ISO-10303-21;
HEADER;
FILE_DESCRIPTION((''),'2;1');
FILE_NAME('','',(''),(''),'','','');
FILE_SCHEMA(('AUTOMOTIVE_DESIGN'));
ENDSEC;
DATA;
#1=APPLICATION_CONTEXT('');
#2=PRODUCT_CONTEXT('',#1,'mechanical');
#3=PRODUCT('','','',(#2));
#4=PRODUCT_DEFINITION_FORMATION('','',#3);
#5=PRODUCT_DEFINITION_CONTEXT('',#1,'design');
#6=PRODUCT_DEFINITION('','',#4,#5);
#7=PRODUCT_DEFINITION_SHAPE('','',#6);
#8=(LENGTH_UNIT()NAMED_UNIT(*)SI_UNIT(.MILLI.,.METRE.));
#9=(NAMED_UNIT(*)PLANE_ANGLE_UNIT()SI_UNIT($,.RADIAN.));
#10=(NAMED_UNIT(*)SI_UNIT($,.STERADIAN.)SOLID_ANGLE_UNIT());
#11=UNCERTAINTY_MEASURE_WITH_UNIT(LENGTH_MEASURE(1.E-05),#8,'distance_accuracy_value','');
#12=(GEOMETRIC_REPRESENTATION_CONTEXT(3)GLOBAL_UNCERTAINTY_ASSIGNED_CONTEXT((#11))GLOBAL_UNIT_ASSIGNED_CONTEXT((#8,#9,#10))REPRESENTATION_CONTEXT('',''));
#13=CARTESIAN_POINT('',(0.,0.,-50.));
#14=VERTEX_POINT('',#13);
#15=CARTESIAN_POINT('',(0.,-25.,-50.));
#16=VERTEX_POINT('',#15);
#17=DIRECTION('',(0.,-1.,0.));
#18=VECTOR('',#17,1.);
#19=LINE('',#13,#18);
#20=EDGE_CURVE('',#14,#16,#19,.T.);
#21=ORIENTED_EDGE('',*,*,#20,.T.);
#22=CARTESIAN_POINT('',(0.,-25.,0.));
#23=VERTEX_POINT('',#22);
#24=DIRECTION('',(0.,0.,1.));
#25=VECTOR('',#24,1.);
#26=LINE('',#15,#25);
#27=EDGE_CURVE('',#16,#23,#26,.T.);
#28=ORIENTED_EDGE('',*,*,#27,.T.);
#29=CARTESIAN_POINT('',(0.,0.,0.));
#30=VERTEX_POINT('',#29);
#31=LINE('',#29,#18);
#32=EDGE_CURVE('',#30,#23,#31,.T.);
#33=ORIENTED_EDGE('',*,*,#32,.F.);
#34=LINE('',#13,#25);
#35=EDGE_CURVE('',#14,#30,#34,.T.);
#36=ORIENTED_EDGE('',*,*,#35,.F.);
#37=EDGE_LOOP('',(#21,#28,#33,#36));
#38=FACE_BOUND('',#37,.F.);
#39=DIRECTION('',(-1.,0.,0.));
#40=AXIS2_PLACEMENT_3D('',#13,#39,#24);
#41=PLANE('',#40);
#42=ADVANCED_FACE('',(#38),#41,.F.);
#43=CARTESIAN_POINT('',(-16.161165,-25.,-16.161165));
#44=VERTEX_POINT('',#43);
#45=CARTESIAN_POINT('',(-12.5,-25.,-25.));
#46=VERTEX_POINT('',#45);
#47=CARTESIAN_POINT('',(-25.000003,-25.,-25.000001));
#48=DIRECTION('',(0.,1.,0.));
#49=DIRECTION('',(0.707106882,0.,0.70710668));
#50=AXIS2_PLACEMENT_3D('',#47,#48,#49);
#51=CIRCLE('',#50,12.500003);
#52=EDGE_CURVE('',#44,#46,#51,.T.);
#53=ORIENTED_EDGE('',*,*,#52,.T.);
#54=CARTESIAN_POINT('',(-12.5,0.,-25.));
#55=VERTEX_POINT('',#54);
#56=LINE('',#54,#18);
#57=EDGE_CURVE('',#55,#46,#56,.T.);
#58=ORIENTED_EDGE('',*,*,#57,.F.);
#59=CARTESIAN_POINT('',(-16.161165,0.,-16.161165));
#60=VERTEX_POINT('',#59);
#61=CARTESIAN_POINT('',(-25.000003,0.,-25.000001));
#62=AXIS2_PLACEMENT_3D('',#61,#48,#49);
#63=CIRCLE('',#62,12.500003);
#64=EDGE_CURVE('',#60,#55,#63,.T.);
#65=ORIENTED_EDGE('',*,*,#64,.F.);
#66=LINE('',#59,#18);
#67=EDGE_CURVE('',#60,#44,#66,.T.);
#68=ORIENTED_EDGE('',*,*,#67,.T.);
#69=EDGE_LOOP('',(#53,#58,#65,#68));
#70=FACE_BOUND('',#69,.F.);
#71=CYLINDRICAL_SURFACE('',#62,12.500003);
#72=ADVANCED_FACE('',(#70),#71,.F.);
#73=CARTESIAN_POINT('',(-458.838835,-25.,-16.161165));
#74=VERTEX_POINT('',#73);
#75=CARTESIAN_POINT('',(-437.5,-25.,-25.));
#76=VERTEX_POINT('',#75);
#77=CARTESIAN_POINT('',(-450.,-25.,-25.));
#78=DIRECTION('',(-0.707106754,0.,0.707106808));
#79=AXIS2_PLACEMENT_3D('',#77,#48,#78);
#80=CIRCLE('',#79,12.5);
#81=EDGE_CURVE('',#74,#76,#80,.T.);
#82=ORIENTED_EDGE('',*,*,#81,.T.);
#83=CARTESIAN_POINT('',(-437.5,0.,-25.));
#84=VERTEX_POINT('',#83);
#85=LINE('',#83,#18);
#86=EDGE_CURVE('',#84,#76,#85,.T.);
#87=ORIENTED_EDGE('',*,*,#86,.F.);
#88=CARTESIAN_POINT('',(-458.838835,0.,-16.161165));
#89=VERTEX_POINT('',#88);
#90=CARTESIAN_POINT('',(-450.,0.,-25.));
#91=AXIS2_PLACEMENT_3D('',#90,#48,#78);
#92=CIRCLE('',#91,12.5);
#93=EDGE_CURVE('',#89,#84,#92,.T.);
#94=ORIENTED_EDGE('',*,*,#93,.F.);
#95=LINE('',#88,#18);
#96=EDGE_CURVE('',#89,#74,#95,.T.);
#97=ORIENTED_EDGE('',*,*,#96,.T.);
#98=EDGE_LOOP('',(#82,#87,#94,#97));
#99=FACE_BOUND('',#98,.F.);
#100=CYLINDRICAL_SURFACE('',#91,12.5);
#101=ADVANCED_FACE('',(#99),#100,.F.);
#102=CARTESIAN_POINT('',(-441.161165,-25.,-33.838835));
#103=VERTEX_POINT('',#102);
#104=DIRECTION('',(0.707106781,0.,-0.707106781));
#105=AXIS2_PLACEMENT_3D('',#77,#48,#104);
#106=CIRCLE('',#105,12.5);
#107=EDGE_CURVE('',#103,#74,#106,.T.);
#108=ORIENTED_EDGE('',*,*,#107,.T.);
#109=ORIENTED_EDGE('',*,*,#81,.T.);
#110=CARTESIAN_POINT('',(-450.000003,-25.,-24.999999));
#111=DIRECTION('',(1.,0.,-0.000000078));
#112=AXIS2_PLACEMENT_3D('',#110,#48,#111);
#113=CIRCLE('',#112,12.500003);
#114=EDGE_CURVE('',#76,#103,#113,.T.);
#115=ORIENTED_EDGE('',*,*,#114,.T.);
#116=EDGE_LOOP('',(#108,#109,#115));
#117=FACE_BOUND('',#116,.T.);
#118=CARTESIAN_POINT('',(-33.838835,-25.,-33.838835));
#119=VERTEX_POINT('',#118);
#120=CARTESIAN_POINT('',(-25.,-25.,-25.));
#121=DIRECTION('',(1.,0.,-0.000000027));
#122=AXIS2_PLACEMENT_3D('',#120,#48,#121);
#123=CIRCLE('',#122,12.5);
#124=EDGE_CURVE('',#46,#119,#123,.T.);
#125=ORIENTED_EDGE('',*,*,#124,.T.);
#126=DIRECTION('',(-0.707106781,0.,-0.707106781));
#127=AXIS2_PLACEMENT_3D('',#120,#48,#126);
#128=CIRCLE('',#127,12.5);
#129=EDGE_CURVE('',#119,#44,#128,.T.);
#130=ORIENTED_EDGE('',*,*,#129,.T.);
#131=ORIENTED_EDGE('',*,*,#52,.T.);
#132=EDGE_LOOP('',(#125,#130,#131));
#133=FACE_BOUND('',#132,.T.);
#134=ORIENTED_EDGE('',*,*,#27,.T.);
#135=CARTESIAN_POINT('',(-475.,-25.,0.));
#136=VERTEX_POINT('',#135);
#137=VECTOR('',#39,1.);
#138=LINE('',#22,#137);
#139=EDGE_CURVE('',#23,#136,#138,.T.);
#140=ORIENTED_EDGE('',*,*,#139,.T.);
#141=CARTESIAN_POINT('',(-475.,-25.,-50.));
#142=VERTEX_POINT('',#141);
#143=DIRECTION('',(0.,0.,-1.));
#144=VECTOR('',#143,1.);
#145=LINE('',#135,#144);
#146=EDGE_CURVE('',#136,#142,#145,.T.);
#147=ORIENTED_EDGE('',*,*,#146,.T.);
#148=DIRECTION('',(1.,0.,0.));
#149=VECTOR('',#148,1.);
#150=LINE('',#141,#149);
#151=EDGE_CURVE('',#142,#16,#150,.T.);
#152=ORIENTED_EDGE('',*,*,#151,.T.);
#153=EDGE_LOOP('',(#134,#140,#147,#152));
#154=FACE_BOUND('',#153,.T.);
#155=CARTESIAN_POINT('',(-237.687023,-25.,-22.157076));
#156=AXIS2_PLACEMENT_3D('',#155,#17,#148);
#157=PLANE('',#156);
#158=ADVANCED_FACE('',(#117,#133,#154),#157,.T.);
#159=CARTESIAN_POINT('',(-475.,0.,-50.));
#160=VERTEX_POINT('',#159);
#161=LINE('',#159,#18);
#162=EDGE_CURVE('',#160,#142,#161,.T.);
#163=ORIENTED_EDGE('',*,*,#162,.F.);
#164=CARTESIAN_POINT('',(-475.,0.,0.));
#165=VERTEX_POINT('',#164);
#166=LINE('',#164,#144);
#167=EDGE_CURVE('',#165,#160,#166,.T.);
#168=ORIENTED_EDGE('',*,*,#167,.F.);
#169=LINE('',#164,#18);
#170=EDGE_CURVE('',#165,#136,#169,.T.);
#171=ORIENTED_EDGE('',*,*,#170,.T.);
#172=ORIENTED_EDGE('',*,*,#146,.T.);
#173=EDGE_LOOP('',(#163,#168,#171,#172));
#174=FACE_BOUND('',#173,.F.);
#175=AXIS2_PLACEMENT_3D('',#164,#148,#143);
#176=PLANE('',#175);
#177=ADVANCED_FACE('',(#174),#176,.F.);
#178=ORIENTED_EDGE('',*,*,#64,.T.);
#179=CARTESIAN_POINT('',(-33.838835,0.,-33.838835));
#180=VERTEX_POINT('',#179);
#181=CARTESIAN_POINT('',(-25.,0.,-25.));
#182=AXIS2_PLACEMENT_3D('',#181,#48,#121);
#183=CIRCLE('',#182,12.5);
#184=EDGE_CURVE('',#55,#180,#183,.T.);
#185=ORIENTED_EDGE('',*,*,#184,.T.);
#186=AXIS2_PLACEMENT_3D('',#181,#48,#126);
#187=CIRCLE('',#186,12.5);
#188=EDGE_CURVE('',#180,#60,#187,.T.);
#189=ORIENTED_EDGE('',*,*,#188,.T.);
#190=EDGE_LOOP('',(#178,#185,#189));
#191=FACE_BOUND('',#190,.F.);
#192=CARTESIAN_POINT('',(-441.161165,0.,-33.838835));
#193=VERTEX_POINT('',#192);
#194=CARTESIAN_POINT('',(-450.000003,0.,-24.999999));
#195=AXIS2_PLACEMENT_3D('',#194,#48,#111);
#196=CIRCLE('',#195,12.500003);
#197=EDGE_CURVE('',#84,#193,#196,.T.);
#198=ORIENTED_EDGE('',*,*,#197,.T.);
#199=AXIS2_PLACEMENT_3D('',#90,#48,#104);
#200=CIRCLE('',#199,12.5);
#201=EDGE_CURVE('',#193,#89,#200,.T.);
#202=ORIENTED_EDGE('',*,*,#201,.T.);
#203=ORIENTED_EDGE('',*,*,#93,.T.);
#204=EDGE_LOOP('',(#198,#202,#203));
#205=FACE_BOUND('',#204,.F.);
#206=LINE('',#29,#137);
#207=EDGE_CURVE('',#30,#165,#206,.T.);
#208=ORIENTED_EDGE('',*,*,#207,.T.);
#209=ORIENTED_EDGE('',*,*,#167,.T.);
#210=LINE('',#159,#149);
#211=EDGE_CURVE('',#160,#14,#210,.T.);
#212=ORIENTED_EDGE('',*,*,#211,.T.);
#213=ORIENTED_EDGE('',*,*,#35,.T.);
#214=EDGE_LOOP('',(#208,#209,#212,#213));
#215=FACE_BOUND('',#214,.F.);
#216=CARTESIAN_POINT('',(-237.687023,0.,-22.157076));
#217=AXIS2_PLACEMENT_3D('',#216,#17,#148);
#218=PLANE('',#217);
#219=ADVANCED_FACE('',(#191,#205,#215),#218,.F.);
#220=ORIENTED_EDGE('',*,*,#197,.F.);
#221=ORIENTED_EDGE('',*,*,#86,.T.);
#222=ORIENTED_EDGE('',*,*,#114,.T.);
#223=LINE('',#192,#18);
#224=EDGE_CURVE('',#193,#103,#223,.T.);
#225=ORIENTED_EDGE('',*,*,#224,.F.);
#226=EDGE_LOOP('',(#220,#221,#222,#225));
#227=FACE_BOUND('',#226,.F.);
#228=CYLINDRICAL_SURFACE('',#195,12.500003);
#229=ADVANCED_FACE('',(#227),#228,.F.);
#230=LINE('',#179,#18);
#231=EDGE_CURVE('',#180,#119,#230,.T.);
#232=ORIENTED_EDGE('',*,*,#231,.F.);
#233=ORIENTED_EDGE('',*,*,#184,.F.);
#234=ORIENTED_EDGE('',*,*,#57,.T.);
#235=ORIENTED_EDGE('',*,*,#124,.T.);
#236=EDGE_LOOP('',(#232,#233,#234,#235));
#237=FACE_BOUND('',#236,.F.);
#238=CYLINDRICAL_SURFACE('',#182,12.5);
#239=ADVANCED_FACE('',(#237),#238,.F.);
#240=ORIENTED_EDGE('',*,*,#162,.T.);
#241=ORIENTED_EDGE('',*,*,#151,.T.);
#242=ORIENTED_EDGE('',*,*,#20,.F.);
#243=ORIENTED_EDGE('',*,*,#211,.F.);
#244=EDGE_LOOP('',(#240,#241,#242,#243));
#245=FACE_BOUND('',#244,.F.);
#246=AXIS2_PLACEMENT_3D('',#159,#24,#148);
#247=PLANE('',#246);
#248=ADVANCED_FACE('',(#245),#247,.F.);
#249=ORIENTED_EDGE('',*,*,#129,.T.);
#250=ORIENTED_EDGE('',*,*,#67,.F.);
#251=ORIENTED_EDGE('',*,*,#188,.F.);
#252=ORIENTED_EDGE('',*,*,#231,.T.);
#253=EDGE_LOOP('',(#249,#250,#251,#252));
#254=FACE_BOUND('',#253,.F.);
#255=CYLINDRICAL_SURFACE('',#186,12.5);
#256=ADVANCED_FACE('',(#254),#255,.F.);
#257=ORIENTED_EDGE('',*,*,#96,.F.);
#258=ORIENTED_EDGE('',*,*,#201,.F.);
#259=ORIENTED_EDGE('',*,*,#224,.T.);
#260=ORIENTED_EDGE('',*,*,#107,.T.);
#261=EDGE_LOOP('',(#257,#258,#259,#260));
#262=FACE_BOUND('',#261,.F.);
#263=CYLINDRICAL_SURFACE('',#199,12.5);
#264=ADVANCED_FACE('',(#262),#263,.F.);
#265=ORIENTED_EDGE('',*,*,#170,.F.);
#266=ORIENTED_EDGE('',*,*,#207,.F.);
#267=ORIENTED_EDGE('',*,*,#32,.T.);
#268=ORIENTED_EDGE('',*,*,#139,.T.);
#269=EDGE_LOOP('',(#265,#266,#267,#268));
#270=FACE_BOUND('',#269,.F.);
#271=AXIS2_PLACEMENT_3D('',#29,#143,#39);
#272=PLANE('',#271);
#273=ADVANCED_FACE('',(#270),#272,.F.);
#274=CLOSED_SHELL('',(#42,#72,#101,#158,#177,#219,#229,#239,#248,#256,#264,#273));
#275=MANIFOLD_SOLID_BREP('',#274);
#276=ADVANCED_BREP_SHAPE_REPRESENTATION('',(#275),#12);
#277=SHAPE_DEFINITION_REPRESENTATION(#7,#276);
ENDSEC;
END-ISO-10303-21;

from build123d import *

# Parameters (mm, degrees)
F1_DEPTH = 25


with BuildPart() as f1:
    # F0 (on Front) → F1 (new body)
    with BuildSketch(Plane.XZ):
        with BuildLine():
            Line((-16.161165, -16.161165), (0, 0))
            Line((0, 0), (-475, 0))
            Line((-475, 0), (-458.838835, -16.161165))
            ThreePointArc((-458.838835, -16.161165), (-445.216457, -13.451506), (-437.5, -25))
            ThreePointArc((-437.5, -25), (-438.451506, -29.783543), (-441.161165, -33.838835))
            Line((-441.161165, -33.838835), (-425, -50))
            Line((-425, -50), (-50, -50))
            Line((-50, -50), (-33.838835, -33.838835))
            ThreePointArc((-33.838835, -33.838835), (-33.838835, -16.161165), (-16.161165, -16.161165))
        make_face()
        with BuildLine():
            Line((0, -50), (0, 0))
            Line((0, 0), (-16.161165, -16.161165))
            ThreePointArc((-16.161165, -16.161165), (-13.451506, -20.216457), (-12.5, -25))
            ThreePointArc((-12.5, -25), (-20.216457, -36.548494), (-33.838835, -33.838835))
            Line((-33.838835, -33.838835), (-50, -50))
            Line((-50, -50), (0, -50))
        make_face()
        with BuildLine():
            Line((-458.838835, -16.161165), (-475, 0))
            Line((-475, 0), (-475, -50))
            Line((-475, -50), (-425, -50))
            Line((-425, -50), (-441.161165, -33.838835))
            ThreePointArc((-441.161165, -33.838835), (-458.838835, -33.838835), (-458.838835, -16.161165))
        make_face()
    extrude(amount=F1_DEPTH)


solid = f1.part
